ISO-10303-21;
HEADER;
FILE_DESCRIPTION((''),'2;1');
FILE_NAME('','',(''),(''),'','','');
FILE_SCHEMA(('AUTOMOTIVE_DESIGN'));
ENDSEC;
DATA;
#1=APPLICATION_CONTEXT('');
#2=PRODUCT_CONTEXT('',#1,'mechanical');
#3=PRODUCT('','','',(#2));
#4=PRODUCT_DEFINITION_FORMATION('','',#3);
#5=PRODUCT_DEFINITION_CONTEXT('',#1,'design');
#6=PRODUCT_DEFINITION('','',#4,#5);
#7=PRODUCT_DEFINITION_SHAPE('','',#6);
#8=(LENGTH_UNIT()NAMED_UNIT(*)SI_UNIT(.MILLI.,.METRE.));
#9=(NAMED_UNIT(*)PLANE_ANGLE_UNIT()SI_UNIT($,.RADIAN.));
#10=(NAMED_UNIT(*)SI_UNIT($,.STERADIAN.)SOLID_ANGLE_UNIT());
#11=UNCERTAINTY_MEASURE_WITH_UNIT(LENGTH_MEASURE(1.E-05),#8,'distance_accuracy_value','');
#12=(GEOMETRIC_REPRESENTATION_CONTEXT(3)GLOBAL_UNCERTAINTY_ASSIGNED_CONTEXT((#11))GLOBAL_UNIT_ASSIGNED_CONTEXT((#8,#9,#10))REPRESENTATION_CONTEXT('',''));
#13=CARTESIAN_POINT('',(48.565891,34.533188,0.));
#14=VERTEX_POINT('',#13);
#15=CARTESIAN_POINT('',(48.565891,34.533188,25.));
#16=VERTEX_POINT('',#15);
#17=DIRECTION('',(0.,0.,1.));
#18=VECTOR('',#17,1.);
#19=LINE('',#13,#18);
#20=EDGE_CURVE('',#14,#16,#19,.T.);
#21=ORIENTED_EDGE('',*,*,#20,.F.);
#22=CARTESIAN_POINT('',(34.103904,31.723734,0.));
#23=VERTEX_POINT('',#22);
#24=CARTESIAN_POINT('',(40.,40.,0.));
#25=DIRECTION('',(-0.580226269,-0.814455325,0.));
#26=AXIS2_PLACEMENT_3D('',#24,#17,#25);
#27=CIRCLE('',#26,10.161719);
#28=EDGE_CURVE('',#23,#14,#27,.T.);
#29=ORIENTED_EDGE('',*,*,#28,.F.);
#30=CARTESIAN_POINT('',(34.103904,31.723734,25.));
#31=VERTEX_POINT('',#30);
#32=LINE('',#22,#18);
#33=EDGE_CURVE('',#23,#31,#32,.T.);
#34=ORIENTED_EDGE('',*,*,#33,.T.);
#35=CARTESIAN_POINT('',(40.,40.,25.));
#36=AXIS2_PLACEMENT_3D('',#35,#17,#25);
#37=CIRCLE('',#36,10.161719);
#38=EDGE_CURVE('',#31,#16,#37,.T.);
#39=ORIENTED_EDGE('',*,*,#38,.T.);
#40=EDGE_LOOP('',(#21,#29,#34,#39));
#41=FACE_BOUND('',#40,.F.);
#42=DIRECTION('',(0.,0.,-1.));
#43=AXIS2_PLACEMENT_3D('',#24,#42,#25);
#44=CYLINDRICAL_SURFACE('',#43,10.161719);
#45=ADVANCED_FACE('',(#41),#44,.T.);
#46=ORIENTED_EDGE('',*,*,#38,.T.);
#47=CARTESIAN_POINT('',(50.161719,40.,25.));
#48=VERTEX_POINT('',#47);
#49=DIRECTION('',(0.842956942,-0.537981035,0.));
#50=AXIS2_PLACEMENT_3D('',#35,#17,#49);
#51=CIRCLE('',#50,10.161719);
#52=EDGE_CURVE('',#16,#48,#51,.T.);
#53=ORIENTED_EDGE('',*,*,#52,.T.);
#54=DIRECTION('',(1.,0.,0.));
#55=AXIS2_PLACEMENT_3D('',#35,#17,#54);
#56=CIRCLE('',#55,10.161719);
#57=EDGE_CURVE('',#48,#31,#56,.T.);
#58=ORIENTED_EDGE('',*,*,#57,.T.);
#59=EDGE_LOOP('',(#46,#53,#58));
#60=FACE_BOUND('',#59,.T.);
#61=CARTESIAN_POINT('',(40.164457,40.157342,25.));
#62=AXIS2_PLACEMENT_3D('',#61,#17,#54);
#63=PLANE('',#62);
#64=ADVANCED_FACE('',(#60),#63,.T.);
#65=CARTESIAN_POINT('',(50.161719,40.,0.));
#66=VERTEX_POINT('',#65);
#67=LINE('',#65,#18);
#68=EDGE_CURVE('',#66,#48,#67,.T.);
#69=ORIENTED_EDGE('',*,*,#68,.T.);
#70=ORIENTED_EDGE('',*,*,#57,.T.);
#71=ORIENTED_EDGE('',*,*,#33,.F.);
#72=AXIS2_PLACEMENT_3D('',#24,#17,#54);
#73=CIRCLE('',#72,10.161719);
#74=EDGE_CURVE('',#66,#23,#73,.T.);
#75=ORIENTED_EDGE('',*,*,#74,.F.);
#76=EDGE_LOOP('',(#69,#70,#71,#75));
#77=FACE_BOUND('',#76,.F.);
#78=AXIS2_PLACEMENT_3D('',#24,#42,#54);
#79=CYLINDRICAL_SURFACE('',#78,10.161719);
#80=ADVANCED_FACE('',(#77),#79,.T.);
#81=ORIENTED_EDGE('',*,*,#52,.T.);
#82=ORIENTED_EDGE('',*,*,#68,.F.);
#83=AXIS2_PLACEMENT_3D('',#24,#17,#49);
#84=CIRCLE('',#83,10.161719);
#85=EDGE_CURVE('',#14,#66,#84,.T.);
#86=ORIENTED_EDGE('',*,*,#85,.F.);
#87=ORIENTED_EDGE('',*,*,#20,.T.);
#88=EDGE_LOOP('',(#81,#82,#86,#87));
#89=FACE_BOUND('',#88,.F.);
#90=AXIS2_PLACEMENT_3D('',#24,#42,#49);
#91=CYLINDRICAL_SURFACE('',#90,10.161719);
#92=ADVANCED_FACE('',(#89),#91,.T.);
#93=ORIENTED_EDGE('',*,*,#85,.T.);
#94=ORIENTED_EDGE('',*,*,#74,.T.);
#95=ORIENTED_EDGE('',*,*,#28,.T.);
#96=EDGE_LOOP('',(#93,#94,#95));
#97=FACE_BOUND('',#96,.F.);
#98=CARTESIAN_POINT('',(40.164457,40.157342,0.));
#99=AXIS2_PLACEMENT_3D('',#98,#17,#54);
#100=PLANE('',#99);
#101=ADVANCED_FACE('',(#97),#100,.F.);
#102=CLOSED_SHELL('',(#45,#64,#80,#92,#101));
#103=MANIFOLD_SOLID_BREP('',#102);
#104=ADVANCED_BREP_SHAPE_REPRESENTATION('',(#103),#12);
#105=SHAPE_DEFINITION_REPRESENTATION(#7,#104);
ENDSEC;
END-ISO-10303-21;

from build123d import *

# Parameters (mm, degrees)
F1_DEPTH = 25


with BuildPart() as f1:
    # F0 (on Top) → F1 (new body)
    with BuildSketch(Plane.XY):
        with BuildLine():
            Line((34.1039038031, 31.7237339914), (41.3348975886, 33.1284609855))
            Line((41.3348975886, 33.1284609855), (48.5658914214, 34.5331879888))
            ThreePointArc((48.5658914214, 34.5331879888), (49.7546068473, 37.1525143259), (50.1617188216, 40))
            ThreePointArc((50.1617188216, 40), (35.3445699602, 49.03257995), (34.1039038031, 31.7237339914))
        make_face()
        with BuildLine():
            ThreePointArc((41.3348975886, 33.1284609855), (34.5988758985, 44.4528483513), (47, 40))
            ThreePointArc((47, 40), (45.4011241015, 35.5471516487), (41.3348975886, 33.1284609855))
        make_face(mode=Mode.SUBTRACT)
        with BuildLine():
            ThreePointArc((41.3348975886, 33.1284609855), (45.4011241015, 35.5471516487), (47, 40))
            ThreePointArc((47, 40), (34.5988758985, 44.4528483513), (41.3348975886, 33.1284609855))
        make_face()
        with BuildLine():
            Line((48.5658914214, 34.5331879888), (41.3348975886, 33.1284609855))
            Line((41.3348975886, 33.1284609855), (34.1039038031, 31.7237339914))
            ThreePointArc((34.1039038031, 31.7237339914), (41.937836313, 30.0247646728), (48.5658914214, 34.5331879888))
        make_face()
    extrude(amount=F1_DEPTH)


solid = f1.part
